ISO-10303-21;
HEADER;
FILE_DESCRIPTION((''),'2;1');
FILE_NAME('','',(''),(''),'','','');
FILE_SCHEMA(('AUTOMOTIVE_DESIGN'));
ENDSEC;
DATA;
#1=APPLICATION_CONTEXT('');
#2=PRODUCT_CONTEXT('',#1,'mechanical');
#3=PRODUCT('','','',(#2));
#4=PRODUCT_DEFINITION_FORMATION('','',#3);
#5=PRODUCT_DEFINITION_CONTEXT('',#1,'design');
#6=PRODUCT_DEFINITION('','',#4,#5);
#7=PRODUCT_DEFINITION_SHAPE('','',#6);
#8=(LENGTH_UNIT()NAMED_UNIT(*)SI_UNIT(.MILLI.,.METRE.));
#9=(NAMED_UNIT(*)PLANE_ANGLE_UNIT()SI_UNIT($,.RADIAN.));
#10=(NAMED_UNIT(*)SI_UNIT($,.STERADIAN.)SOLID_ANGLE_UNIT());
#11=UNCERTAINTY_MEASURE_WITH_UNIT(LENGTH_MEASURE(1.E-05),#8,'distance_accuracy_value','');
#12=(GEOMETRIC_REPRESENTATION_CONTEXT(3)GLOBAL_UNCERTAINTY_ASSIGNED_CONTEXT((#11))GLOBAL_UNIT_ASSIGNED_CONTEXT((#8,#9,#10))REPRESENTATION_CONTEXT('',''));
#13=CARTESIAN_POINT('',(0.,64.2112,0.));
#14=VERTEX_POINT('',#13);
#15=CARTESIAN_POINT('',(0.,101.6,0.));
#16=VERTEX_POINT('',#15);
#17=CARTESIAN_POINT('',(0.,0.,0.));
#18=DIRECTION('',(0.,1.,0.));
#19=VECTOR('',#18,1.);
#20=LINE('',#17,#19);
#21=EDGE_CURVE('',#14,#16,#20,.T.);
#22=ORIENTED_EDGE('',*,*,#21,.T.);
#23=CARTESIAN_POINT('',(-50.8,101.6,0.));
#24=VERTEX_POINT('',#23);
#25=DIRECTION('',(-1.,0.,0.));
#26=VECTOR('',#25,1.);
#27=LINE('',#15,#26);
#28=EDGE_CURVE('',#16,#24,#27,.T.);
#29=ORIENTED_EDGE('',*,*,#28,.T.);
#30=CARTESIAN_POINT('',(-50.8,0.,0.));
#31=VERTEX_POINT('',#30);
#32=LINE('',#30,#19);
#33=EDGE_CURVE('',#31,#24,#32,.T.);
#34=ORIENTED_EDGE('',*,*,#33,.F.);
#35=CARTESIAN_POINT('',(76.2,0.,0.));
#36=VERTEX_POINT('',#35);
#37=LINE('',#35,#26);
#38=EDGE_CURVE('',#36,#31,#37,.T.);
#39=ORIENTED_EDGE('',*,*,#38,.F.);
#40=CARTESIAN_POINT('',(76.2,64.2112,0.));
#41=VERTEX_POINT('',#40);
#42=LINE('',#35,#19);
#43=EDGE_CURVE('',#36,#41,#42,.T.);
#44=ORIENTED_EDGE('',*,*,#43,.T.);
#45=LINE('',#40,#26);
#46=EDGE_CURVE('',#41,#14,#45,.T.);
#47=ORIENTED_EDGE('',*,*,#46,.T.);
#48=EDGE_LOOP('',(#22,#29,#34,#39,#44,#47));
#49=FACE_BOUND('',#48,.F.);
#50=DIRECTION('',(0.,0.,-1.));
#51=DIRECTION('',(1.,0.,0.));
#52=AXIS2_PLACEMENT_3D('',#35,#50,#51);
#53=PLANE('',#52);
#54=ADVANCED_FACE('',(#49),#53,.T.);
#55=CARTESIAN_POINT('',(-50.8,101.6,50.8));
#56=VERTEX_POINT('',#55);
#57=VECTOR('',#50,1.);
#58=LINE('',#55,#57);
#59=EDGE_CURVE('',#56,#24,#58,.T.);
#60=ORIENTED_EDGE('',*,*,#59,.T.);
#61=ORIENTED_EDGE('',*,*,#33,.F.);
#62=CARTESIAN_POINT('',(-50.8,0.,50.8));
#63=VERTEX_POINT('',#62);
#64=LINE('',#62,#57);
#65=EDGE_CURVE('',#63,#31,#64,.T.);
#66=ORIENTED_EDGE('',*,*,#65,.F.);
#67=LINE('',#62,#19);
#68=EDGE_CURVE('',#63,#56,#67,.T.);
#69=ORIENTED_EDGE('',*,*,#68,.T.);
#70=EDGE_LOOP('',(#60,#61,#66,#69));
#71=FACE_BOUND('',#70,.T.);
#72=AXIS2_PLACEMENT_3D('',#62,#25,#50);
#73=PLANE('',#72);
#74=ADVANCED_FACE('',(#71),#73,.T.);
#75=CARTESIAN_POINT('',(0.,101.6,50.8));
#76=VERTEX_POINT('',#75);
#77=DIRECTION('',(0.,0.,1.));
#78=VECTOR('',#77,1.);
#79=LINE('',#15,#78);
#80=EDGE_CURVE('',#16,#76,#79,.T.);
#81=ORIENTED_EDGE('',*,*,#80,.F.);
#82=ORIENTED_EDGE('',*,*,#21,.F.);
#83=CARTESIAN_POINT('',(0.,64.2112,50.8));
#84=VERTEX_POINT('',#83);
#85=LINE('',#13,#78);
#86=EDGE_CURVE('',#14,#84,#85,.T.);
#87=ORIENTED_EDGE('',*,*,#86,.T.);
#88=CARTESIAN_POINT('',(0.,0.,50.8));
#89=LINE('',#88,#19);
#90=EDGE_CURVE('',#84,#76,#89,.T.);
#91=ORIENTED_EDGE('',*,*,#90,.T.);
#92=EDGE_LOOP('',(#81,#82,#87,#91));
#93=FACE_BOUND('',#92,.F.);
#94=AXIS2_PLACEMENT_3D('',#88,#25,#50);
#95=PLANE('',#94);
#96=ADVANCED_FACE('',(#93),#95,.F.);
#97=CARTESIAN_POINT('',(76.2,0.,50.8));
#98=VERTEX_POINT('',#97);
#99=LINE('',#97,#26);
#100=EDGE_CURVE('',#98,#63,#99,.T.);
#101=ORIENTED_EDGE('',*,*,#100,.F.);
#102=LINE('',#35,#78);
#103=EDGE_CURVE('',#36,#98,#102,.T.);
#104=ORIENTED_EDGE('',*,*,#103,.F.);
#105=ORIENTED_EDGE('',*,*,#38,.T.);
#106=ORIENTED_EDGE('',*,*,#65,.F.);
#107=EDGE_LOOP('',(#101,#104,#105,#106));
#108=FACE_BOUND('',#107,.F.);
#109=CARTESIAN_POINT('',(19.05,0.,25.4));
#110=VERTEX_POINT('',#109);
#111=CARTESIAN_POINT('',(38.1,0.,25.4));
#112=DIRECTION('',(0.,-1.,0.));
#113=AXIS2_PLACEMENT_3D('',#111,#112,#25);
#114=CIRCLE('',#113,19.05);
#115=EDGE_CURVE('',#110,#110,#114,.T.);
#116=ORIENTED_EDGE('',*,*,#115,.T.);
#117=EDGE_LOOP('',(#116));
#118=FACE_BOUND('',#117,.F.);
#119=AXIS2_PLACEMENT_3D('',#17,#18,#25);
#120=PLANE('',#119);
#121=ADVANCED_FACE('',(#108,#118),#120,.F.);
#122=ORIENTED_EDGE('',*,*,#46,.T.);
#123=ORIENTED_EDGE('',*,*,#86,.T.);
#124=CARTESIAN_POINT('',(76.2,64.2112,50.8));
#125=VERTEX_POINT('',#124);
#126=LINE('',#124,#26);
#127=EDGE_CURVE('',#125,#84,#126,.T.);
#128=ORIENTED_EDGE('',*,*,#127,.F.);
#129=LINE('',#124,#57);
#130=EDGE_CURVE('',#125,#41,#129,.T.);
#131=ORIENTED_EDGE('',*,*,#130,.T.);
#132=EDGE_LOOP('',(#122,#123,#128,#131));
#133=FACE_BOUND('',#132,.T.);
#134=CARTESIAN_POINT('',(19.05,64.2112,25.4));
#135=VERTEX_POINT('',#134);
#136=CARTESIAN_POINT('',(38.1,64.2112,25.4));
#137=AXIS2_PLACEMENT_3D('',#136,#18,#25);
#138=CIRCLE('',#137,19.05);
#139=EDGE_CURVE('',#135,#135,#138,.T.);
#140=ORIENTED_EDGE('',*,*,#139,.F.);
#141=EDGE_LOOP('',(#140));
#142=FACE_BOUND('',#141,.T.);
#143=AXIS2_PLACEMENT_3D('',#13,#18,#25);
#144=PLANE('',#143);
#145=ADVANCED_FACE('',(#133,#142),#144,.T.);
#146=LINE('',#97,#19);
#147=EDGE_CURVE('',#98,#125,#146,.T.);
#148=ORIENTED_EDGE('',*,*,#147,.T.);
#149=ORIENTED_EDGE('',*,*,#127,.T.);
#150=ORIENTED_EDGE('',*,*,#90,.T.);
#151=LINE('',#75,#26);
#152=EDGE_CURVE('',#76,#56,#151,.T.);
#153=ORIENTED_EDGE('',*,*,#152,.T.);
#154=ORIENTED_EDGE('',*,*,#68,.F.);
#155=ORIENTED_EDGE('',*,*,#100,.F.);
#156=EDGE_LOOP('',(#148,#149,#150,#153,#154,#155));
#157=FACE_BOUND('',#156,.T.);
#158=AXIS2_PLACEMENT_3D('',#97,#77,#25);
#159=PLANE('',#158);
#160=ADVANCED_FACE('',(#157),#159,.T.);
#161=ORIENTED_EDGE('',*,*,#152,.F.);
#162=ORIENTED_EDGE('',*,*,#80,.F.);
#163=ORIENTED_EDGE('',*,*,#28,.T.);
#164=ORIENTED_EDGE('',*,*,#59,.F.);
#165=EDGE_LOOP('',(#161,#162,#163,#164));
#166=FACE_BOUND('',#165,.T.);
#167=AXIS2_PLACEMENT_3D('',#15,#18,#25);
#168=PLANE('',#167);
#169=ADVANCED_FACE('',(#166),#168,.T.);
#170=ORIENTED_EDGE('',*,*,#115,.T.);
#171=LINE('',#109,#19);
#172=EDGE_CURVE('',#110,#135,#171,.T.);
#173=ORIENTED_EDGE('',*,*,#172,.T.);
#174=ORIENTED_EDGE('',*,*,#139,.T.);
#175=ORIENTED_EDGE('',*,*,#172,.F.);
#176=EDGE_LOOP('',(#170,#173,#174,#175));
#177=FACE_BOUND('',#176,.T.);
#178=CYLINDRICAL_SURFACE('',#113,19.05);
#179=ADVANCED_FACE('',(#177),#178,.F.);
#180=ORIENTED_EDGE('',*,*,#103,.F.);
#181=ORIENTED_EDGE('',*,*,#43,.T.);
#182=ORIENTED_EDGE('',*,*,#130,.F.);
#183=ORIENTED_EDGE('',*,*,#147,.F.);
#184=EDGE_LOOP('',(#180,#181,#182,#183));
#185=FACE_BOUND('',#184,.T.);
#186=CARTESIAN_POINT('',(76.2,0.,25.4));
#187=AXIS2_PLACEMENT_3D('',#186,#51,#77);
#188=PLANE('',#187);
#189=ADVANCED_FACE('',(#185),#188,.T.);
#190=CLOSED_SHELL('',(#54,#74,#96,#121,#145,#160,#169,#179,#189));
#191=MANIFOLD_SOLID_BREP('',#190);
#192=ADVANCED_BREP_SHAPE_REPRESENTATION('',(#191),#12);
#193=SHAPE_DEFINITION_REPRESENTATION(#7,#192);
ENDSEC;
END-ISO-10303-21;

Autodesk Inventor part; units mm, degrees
ref_plane "YZ Plane" through (0, 0, 0) normal (1, 0, 0) x (0, 1, 0)
ref_plane "XZ Plane" through (0, 0, 0) normal (0, 1, 0) x (-1, 0, 0)
ref_plane "XY Plane" through (0, 0, 0) normal (0, 0, 1) x (1, 0, 0)
sketch "Sketch1" plane through (0, 0, 0) normal (0, 1, 0) x (-1, 0, 0)
  line L0 (0, 0) -> (-76.2, 0)
  line L1 (-76.2, 0) -> (-76.2, 50.8)
  line L2 (-76.2, 50.8) -> (0, 50.8)
  line L3 (0, 50.8) -> (0, 0)
  line L4 (0, 50.8) -> (50.8, 50.8)
  line L5 (50.8, 50.8) -> (50.8, 0)
  line L6 (50.8, 0) -> (0, 0)
  line L7 (0, 0) -> (0, 50.8)
  circle A0 centre (-38.1, 25.4) radius 19.05
  circle A1 centre (25.4, 37.0829) radius 6.964
  line L8 (50.8, 25.4) -> (-76.2, 25.4)
  point P0 (-57.15, 25.4)
  point P1 (-19.05, 25.4)
  point P2 (0, 25.4)
  dimension "d0" = 76.2
  dimension "d1" = 50.8
  dimension "d2" = 50.8
  dimension "d3" = 38.1
extrude "Extrusion3" add sketch "Sketch1" along normal blind 64.2112 contours L8 A0 L1 L2 L3
extrude "Extrusion4" add sketch "Sketch1" along normal blind 101.6 contours L3 L4 L5 L8 | A1
mirror "Mirror1" about plane through (76.2, 0, 25.4) normal (0, 0, -1)
properties part number "Cylinder Block"
